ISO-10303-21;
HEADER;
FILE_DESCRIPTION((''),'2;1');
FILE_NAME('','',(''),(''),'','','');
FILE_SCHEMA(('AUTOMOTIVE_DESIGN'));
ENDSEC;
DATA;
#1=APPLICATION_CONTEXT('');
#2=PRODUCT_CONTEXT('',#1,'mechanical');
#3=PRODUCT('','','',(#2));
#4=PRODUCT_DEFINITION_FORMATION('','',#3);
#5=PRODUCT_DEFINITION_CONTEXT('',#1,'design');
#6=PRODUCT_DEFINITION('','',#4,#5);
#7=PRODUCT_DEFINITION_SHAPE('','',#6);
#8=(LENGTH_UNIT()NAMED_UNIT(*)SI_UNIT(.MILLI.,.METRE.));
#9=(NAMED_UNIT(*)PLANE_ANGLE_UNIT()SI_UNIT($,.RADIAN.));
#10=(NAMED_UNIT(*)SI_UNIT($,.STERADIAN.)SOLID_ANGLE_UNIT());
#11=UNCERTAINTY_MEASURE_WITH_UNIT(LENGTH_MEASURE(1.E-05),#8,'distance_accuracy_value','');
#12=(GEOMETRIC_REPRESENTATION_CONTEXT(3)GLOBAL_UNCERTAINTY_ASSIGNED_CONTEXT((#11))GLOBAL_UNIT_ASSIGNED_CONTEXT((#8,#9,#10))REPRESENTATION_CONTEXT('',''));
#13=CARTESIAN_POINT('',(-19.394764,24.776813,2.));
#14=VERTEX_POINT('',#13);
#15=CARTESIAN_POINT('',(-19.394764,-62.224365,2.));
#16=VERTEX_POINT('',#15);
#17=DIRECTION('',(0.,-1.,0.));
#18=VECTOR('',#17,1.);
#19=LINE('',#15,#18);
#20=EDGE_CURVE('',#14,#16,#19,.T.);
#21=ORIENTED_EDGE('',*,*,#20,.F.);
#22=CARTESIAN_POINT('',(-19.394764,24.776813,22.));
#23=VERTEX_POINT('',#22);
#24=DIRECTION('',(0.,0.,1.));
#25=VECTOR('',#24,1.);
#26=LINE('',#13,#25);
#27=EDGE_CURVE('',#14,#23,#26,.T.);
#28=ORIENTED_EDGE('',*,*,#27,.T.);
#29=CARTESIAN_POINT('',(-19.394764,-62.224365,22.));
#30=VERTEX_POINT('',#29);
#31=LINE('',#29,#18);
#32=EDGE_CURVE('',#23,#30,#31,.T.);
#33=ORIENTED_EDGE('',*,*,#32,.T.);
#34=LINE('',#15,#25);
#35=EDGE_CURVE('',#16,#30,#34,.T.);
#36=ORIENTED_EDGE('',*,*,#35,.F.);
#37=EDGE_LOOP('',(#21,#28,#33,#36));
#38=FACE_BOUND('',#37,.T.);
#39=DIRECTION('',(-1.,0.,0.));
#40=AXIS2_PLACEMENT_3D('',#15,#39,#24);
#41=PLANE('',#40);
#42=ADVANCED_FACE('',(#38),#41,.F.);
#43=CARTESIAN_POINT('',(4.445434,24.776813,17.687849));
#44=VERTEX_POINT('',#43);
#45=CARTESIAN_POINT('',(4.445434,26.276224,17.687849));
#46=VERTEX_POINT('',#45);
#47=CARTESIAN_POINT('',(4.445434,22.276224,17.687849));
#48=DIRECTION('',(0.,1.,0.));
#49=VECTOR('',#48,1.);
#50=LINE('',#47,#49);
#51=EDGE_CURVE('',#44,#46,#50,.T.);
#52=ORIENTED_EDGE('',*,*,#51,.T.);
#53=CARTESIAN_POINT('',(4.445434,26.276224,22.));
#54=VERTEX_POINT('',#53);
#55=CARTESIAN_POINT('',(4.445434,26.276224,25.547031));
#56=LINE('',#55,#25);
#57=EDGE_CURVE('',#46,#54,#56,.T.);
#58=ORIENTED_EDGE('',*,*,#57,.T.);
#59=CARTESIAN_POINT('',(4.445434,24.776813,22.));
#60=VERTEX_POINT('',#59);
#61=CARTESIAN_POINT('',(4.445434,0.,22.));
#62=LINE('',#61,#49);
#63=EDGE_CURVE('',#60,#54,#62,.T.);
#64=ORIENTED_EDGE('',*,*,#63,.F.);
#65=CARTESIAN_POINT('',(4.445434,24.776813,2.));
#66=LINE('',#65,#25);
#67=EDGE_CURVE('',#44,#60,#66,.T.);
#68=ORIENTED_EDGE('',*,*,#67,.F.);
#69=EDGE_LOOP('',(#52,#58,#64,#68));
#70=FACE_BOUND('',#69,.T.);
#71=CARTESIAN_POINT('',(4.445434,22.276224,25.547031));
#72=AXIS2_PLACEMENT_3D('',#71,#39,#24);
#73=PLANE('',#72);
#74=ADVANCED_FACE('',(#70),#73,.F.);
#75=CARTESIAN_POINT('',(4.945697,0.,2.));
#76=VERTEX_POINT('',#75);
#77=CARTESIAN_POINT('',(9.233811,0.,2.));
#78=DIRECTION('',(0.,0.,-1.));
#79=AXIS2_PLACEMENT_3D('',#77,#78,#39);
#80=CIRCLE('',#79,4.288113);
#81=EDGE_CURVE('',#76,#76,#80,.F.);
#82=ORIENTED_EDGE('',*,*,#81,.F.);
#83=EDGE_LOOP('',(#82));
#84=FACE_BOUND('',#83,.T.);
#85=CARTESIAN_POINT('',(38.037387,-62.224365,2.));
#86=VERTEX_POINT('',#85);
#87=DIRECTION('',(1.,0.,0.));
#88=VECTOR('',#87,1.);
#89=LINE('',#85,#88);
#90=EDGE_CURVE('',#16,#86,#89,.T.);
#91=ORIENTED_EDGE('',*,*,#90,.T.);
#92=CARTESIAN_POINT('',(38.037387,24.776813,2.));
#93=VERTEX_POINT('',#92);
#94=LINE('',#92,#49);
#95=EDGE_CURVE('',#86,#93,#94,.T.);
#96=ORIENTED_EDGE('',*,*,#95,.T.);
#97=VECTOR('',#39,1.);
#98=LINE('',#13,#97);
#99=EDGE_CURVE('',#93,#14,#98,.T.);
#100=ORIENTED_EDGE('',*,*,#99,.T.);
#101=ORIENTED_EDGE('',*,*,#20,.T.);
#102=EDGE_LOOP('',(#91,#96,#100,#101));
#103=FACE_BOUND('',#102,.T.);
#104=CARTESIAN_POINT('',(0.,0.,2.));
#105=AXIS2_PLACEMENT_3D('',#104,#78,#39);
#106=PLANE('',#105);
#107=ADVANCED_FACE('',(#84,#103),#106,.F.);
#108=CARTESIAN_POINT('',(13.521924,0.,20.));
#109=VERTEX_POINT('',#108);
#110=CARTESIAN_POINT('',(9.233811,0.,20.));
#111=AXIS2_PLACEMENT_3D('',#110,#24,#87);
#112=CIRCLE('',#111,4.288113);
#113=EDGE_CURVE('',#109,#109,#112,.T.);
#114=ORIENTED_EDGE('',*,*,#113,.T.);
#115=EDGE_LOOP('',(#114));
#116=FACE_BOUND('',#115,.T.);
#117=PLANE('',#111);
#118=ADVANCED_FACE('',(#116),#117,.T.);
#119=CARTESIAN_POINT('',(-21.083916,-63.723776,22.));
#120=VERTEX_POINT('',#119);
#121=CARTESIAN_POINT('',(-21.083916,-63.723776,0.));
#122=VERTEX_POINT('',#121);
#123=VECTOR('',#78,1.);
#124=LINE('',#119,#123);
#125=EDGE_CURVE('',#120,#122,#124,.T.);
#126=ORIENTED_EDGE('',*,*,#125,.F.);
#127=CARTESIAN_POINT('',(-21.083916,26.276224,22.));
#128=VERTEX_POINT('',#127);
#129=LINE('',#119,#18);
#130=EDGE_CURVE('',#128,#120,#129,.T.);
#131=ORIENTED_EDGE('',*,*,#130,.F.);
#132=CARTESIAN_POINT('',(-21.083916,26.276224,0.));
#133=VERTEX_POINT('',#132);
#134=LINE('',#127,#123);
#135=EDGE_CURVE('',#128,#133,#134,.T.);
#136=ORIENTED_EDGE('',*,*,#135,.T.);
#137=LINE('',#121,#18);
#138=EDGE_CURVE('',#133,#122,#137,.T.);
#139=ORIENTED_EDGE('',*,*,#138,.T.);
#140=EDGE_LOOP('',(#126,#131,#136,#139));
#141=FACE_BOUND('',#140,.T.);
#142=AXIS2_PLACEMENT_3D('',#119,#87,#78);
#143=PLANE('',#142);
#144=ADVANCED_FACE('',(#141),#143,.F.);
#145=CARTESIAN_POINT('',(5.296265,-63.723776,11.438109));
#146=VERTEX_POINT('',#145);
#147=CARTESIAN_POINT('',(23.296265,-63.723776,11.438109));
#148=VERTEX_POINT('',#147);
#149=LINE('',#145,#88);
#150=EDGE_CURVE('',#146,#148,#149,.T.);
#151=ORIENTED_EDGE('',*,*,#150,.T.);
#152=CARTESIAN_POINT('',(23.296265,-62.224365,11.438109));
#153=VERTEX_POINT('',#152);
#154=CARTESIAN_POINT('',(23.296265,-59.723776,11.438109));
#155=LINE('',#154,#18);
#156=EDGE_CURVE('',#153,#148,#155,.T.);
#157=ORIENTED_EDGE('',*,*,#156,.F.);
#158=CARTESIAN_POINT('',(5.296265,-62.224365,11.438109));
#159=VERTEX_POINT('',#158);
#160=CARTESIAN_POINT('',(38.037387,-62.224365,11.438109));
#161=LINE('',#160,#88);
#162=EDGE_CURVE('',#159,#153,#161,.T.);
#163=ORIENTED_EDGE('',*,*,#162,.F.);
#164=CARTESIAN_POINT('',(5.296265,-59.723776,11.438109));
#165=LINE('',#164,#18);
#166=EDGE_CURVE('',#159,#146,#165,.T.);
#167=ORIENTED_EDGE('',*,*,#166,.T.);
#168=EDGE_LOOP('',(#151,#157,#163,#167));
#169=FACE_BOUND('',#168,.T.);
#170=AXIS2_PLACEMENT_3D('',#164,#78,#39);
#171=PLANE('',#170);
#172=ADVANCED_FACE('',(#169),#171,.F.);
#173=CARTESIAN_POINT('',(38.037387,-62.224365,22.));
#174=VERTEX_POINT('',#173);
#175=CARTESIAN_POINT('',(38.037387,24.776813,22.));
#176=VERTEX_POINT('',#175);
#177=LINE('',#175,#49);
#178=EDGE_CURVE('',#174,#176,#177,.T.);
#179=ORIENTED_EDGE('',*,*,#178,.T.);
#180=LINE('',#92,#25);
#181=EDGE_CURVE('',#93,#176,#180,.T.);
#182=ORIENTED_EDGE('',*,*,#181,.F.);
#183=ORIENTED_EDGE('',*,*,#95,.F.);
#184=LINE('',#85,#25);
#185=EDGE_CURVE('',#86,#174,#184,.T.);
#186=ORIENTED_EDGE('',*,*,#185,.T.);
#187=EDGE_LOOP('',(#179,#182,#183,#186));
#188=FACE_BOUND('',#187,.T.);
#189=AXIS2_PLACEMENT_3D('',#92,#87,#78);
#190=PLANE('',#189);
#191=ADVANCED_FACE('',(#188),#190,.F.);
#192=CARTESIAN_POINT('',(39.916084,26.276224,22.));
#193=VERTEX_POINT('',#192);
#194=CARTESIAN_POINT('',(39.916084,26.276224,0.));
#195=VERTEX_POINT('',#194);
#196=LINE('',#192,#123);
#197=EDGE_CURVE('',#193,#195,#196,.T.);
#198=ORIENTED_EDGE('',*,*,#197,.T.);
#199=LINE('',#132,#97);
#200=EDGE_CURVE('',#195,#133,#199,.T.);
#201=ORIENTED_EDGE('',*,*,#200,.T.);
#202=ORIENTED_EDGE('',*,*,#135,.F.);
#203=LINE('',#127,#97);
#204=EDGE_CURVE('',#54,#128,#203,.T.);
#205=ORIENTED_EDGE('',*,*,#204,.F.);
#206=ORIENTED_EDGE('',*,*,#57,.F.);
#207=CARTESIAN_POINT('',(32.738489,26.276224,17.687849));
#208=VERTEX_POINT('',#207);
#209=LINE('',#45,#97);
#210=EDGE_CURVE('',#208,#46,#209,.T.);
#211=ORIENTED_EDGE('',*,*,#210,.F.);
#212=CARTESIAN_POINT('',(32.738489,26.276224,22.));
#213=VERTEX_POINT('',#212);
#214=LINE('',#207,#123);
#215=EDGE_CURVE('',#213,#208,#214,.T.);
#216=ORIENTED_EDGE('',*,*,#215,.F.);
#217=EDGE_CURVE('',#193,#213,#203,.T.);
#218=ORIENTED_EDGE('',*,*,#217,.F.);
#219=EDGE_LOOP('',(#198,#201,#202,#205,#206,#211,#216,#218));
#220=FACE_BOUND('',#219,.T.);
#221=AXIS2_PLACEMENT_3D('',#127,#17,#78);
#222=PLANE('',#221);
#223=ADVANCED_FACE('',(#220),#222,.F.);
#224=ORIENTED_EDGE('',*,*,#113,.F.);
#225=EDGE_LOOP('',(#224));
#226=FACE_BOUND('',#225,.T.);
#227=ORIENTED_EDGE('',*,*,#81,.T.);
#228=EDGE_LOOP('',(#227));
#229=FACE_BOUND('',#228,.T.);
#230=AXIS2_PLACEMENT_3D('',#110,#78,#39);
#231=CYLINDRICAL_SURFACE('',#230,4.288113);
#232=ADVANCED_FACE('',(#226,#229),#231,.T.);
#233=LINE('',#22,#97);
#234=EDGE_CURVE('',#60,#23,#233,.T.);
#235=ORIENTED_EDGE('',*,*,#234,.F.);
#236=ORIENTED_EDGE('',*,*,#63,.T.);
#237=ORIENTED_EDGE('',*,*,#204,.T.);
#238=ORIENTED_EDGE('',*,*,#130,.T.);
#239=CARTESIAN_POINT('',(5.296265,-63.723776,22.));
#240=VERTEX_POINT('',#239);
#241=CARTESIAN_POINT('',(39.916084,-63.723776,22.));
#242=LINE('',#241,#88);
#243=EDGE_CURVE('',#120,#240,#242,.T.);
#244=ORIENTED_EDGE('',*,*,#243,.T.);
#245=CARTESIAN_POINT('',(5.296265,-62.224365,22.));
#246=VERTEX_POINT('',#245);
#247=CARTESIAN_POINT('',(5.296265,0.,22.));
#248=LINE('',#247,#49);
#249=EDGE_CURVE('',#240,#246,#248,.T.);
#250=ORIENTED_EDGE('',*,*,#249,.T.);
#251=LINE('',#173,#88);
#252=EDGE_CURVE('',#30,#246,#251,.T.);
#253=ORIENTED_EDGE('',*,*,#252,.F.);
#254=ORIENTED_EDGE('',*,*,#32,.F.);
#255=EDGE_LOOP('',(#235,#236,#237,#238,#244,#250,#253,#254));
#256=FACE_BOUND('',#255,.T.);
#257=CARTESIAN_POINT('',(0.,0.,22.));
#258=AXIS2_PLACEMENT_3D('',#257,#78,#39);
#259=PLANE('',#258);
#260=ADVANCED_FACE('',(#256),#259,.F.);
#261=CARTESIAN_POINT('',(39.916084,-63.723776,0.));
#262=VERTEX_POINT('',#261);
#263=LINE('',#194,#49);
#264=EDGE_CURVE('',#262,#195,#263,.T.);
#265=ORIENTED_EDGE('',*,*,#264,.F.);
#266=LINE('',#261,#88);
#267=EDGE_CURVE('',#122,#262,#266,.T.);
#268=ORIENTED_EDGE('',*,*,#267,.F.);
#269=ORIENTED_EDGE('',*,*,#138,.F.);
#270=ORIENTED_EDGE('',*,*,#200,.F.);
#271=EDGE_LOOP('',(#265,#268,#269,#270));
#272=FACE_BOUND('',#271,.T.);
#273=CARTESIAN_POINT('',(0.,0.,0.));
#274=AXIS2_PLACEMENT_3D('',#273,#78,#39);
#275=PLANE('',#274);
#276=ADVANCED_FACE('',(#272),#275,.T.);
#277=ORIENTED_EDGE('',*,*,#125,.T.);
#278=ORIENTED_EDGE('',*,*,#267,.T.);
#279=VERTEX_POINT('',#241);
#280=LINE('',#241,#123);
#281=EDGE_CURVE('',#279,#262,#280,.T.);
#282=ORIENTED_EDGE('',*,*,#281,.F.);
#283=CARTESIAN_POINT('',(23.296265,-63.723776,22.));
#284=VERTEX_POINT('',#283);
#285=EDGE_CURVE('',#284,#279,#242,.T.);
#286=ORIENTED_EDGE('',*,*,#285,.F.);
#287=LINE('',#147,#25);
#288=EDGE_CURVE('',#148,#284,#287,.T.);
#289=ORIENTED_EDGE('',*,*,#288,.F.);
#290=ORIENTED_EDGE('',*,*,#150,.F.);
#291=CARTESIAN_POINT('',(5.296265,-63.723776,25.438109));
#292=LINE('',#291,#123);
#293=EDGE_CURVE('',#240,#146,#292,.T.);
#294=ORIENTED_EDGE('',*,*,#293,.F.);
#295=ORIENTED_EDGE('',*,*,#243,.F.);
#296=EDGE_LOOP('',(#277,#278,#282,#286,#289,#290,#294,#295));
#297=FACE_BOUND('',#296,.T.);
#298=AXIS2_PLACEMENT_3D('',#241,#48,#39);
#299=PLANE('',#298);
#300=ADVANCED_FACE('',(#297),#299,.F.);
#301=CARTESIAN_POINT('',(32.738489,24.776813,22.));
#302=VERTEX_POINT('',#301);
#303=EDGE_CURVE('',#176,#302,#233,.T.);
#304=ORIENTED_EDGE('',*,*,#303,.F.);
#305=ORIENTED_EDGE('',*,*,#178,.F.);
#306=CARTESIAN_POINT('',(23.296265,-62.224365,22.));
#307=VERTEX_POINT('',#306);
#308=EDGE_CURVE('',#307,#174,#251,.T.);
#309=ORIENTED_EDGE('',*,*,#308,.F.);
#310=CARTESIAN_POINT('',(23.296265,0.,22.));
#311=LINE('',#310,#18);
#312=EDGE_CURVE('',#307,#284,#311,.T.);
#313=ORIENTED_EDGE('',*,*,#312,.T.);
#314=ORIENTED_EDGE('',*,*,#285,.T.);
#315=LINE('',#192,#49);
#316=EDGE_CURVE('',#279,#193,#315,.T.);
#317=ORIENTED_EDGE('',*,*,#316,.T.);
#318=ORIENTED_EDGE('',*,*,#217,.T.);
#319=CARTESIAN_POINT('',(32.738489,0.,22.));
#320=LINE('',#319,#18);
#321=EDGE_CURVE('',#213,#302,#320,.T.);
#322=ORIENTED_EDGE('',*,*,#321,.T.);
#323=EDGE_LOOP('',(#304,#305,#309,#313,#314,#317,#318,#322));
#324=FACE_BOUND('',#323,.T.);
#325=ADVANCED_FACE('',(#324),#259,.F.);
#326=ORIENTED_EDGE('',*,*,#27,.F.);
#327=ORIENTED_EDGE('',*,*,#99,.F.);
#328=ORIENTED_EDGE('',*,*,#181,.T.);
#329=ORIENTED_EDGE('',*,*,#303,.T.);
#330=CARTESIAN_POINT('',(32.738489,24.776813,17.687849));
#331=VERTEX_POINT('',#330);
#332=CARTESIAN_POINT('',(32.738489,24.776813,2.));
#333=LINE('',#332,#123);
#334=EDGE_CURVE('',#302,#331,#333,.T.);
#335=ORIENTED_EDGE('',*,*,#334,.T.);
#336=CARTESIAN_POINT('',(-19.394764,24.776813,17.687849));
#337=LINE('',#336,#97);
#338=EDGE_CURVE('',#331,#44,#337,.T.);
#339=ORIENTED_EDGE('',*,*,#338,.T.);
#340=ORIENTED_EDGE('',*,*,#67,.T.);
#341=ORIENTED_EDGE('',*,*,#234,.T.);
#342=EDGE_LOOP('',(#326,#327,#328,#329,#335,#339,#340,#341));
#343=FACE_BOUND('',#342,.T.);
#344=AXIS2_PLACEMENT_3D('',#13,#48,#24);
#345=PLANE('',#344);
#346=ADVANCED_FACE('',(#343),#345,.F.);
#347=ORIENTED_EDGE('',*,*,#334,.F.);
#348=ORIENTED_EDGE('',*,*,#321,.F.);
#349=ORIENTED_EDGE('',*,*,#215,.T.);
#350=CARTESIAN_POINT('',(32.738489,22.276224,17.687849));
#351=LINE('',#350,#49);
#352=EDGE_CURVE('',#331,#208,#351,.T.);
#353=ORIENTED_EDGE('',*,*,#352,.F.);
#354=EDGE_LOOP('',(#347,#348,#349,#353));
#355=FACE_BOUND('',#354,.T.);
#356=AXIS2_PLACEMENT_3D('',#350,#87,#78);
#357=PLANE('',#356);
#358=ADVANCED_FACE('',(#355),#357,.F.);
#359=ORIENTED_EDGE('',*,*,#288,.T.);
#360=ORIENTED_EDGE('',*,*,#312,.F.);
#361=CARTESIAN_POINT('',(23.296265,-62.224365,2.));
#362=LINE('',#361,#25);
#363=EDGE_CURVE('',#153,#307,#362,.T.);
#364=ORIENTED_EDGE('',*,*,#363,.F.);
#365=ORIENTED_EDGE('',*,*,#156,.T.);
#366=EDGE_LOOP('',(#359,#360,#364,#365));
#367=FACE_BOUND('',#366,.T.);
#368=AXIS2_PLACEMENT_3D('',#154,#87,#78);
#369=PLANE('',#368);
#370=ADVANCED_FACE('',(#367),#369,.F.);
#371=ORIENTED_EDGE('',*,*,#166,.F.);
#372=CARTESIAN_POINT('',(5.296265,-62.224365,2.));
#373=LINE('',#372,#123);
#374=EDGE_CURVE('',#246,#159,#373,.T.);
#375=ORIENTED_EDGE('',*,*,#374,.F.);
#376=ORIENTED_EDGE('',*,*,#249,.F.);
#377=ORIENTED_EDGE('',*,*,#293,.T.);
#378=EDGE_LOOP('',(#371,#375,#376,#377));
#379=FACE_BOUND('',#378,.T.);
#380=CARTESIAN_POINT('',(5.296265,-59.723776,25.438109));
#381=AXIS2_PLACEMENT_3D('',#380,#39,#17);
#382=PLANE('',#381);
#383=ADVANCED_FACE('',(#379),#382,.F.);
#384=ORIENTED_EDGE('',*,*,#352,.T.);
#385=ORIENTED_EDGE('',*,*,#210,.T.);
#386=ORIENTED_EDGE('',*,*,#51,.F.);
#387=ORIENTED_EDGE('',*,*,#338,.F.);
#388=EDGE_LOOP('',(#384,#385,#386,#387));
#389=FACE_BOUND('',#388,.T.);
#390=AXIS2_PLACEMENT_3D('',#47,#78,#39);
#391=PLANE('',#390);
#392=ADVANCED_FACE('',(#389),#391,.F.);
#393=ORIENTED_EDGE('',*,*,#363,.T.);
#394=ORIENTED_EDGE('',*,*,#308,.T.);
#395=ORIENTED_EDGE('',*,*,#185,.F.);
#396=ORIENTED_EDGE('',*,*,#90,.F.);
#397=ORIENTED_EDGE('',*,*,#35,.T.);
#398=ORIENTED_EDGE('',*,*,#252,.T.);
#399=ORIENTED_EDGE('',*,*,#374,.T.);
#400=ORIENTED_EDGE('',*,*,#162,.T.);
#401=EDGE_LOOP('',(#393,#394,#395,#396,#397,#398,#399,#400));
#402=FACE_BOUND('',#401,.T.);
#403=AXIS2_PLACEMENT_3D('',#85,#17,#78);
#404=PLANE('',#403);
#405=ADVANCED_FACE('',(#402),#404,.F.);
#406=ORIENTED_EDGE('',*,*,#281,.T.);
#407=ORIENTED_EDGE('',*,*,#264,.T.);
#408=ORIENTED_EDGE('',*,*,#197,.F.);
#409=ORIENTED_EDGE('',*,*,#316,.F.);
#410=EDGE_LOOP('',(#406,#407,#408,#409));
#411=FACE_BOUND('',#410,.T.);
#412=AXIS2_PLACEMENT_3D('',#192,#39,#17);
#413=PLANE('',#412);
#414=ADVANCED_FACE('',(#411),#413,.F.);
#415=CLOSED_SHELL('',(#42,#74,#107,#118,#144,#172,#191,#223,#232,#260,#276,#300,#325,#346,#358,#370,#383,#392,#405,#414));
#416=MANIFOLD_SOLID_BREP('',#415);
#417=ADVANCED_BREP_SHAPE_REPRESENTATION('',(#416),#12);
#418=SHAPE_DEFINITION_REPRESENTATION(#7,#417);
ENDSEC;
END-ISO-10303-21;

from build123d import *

# Parameters (mm, degrees)
SCHIZZO1_W                   = 61
SCHIZZO1_H                   = 90
ESTRUSIONE_ESTRUSIONE1_DEPTH = 22
SCHIZZO2_W                   = 57.432150226
SCHIZZO2_H                   = 87.001178066
TAGLIO_ESTRUSIONE1_DEPTH     = 20
SCHIZZO3_R                   = 4.288113478
ESTRUSIONE_ESTRUSIONE3_DEPTH = 18
SCHIZZO4_W                   = 18
SCHIZZO4_H                   = 14
TAGLIO_ESTRUSIONE2_DEPTH     = 4
SCHIZZO5_W                   = 28.293055574
SCHIZZO5_H                   = 7.859182103
TAGLIO_ESTRUSIONE4_DEPTH     = 4


with BuildPart() as part:
    # Schizzo1 → Estrusione-Estrusione1 (new body)
    with BuildSketch(Plane.XY):
        with Locations((9.416083916, -18.723776224)):
            Rectangle(SCHIZZO1_W, SCHIZZO1_H)
    extrude(amount=ESTRUSIONE_ESTRUSIONE1_DEPTH)

    # Schizzo2 → Taglio-Estrusione1 (cut)
    with BuildSketch(Plane.XY.offset(22)):
        with Locations((9.321311391, -18.723776224)):
            Rectangle(SCHIZZO2_W, SCHIZZO2_H)
    extrude(amount=-TAGLIO_ESTRUSIONE1_DEPTH, mode=Mode.SUBTRACT)

    # Schizzo3 → Estrusione-Estrusione3 (add)
    with BuildSketch(Plane.XY.offset(2)):
        with Locations(Location((9.233810508, 0, 0), (0, 0, 180))):
            Circle(SCHIZZO3_R)
    extrude(amount=ESTRUSIONE_ESTRUSIONE3_DEPTH)

    # Schizzo4 → Taglio-Estrusione2 (cut)
    with BuildSketch(Plane(origin=(0, -63.723776224, 0), x_dir=(-1, 0, 0), z_dir=(0, -1, 0))):
        with Locations((-14.296265354, -18.438108628)):
            Rectangle(SCHIZZO4_W, SCHIZZO4_H)
    extrude(amount=-TAGLIO_ESTRUSIONE2_DEPTH, mode=Mode.SUBTRACT)

    # Schizzo5 → Taglio-Estrusione4 (cut)
    with BuildSketch(Plane(origin=(0, 26.276223776, 0), x_dir=(1, 0, 0), z_dir=(0, 1, 0))):
        with Locations((18.59196137, -21.617439903)):
            Rectangle(SCHIZZO5_W, SCHIZZO5_H)
    extrude(amount=-TAGLIO_ESTRUSIONE4_DEPTH, mode=Mode.SUBTRACT)


solid = part.part
